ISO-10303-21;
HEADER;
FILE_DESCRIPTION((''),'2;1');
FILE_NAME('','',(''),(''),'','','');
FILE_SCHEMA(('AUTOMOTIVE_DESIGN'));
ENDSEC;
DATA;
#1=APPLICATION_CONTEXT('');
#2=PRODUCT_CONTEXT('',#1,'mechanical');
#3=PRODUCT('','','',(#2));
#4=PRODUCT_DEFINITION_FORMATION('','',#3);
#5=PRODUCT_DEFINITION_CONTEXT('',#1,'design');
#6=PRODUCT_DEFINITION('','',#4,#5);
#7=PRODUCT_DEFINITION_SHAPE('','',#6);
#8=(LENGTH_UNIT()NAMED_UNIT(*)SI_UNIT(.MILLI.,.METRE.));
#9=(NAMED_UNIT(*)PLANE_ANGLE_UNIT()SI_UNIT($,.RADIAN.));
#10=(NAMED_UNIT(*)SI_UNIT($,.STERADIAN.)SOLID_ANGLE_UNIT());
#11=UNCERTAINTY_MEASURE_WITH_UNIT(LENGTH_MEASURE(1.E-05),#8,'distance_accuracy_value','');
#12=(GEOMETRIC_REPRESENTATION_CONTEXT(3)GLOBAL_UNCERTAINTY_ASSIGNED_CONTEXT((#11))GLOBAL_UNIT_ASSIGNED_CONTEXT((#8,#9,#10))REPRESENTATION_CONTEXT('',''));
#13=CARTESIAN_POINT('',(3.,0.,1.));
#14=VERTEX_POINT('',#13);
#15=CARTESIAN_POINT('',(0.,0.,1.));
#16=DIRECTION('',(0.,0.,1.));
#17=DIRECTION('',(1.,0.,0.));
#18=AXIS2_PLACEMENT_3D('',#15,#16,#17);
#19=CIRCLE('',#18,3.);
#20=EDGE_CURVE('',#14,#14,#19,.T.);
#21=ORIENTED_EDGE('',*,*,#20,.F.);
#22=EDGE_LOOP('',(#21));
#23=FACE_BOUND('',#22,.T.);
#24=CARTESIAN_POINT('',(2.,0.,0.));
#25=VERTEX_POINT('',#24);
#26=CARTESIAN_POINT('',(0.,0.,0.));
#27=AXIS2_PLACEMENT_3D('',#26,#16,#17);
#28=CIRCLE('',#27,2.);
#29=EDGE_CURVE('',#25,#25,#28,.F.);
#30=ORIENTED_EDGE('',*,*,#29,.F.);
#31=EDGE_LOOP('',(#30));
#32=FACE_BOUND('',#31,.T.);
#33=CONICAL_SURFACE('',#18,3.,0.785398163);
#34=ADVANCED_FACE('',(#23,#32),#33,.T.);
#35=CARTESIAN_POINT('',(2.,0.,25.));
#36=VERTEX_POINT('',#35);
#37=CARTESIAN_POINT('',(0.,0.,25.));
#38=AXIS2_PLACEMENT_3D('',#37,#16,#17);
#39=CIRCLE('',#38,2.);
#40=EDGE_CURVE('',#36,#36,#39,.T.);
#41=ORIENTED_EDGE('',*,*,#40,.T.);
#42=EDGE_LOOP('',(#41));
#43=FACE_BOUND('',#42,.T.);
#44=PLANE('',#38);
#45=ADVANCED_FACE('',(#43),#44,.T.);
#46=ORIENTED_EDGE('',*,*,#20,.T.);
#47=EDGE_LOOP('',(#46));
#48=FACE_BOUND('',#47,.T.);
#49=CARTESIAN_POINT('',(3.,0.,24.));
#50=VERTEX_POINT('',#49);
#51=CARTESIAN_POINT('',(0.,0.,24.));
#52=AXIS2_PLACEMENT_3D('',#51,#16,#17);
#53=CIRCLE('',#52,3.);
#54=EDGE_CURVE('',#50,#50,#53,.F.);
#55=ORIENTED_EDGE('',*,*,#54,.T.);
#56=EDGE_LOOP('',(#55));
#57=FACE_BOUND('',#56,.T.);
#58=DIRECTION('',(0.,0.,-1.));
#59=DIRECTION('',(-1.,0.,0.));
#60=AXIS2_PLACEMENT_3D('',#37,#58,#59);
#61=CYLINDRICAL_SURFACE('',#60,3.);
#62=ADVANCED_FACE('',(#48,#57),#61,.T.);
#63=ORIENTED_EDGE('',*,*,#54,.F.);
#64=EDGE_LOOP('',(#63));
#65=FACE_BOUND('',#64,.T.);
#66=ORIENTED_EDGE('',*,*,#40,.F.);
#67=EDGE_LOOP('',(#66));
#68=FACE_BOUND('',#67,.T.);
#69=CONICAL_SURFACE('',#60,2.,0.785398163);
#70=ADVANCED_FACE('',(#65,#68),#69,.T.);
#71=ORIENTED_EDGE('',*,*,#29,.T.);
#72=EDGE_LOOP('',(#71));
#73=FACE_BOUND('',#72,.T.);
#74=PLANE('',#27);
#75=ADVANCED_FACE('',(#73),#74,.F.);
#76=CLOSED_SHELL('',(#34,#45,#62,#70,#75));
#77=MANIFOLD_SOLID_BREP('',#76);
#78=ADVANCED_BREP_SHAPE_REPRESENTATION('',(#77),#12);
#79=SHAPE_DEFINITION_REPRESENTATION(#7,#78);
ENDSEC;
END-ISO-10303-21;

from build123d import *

# Parameters (mm, degrees)
SKETCH_1_R      = 3
EXTRUDE_1_DEPTH = 25
CHAMFER_1_SIZE  = 1


with BuildPart() as part:
    # 草图1 → 拉伸1 (new body)
    with BuildSketch(Plane.XY):
        Circle(SKETCH_1_R)
    extrude(amount=EXTRUDE_1_DEPTH)

    # 倒角1
    chamfer_1_edges = [part.edges().sort_by_distance(p)[0] for p in [
        (-3, 0, 0),
        (-3, 0, 25),
    ]]
    chamfer(chamfer_1_edges, length=CHAMFER_1_SIZE)


solid = part.part
